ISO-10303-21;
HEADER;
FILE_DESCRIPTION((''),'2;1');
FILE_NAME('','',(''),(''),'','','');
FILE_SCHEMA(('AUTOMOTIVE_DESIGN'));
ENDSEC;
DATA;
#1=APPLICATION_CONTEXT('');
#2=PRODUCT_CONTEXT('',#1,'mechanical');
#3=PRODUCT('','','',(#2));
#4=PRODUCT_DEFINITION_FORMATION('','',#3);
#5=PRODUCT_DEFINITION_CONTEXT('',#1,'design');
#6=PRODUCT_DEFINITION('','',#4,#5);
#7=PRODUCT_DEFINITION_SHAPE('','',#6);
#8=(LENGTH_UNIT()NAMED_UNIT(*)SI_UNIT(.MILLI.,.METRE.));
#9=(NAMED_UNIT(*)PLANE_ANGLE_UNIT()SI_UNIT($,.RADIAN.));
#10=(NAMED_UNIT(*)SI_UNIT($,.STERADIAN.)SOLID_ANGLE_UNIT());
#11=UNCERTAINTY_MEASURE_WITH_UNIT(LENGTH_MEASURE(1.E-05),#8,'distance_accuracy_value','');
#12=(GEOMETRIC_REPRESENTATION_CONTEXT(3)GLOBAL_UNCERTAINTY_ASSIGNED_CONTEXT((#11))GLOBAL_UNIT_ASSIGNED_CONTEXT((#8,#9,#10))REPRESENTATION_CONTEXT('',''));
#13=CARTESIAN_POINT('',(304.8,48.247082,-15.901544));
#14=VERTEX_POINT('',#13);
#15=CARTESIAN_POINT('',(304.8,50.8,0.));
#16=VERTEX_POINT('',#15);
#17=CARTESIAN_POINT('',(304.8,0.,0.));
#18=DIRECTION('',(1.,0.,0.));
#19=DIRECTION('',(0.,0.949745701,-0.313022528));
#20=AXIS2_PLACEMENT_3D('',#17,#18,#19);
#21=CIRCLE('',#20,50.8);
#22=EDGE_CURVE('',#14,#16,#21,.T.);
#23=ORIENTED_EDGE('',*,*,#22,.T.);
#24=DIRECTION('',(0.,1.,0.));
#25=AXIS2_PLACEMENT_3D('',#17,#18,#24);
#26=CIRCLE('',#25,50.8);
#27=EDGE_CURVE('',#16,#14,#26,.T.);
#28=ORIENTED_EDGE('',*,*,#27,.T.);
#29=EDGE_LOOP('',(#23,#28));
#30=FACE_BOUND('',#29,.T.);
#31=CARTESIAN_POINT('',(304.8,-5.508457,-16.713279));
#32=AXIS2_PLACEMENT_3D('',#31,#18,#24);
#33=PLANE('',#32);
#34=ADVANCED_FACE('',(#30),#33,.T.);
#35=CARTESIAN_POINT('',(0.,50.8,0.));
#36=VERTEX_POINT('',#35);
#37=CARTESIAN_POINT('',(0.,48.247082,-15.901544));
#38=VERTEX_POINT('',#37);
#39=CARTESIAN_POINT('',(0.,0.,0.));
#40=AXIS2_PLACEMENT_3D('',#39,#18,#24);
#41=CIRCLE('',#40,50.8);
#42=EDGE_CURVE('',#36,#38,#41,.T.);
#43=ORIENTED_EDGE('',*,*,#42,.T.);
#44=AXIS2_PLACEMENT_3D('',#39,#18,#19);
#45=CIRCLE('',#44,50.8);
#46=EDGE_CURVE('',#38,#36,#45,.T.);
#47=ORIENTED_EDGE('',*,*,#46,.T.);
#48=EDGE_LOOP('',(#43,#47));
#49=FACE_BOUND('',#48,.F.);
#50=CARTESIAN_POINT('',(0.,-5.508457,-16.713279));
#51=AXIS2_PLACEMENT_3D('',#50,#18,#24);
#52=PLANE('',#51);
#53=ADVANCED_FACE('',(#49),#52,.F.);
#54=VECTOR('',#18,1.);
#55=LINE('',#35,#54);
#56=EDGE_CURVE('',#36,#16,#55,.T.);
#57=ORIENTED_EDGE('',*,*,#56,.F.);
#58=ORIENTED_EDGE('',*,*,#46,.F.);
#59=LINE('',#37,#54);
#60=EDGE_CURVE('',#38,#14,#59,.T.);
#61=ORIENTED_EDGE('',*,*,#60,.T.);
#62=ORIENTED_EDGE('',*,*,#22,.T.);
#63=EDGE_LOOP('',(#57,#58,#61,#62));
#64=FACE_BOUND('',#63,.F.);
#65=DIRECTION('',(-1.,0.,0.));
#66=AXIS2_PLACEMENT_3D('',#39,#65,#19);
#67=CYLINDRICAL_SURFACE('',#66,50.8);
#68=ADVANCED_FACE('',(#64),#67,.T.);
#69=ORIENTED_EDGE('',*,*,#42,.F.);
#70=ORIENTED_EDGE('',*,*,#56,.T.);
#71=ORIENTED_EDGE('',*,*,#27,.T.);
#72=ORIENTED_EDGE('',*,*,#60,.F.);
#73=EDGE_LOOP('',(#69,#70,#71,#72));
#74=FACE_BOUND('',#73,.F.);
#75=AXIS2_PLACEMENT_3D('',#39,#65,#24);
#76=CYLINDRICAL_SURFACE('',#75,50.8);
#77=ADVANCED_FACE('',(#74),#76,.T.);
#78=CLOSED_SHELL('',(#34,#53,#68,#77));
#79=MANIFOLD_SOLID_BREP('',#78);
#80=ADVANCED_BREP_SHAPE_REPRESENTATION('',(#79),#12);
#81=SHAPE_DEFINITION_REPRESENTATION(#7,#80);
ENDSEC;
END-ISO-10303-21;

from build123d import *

# Parameters (mm, degrees)
F1_DEPTH = 304.8


with BuildPart() as f1:
    # F0 (on Right) → F1 (new body)
    with BuildSketch(Plane.YZ):
        with BuildLine():
            Line((48.2470816248, -15.901544412), (-48.2470816248, 15.901544412))
            ThreePointArc((-48.2470816248, 15.901544412), (-15.901544412, -48.2470816248), (48.2470816248, -15.901544412))
        make_face()
        with BuildLine():
            ThreePointArc((48.2470816248, -15.901544412), (50.1577100082, -8.052585096), (50.8, 0))
            ThreePointArc((50.8, 0), (8.052585096, 50.1577100082), (-48.2470816248, 15.901544412))
            Line((-48.2470816248, 15.901544412), (48.2470816248, -15.901544412))
        make_face()
    extrude(amount=F1_DEPTH)


with BuildPart() as f2_1:
    # F2: copy of F1
    add(f1.part)


solid = f1.part
